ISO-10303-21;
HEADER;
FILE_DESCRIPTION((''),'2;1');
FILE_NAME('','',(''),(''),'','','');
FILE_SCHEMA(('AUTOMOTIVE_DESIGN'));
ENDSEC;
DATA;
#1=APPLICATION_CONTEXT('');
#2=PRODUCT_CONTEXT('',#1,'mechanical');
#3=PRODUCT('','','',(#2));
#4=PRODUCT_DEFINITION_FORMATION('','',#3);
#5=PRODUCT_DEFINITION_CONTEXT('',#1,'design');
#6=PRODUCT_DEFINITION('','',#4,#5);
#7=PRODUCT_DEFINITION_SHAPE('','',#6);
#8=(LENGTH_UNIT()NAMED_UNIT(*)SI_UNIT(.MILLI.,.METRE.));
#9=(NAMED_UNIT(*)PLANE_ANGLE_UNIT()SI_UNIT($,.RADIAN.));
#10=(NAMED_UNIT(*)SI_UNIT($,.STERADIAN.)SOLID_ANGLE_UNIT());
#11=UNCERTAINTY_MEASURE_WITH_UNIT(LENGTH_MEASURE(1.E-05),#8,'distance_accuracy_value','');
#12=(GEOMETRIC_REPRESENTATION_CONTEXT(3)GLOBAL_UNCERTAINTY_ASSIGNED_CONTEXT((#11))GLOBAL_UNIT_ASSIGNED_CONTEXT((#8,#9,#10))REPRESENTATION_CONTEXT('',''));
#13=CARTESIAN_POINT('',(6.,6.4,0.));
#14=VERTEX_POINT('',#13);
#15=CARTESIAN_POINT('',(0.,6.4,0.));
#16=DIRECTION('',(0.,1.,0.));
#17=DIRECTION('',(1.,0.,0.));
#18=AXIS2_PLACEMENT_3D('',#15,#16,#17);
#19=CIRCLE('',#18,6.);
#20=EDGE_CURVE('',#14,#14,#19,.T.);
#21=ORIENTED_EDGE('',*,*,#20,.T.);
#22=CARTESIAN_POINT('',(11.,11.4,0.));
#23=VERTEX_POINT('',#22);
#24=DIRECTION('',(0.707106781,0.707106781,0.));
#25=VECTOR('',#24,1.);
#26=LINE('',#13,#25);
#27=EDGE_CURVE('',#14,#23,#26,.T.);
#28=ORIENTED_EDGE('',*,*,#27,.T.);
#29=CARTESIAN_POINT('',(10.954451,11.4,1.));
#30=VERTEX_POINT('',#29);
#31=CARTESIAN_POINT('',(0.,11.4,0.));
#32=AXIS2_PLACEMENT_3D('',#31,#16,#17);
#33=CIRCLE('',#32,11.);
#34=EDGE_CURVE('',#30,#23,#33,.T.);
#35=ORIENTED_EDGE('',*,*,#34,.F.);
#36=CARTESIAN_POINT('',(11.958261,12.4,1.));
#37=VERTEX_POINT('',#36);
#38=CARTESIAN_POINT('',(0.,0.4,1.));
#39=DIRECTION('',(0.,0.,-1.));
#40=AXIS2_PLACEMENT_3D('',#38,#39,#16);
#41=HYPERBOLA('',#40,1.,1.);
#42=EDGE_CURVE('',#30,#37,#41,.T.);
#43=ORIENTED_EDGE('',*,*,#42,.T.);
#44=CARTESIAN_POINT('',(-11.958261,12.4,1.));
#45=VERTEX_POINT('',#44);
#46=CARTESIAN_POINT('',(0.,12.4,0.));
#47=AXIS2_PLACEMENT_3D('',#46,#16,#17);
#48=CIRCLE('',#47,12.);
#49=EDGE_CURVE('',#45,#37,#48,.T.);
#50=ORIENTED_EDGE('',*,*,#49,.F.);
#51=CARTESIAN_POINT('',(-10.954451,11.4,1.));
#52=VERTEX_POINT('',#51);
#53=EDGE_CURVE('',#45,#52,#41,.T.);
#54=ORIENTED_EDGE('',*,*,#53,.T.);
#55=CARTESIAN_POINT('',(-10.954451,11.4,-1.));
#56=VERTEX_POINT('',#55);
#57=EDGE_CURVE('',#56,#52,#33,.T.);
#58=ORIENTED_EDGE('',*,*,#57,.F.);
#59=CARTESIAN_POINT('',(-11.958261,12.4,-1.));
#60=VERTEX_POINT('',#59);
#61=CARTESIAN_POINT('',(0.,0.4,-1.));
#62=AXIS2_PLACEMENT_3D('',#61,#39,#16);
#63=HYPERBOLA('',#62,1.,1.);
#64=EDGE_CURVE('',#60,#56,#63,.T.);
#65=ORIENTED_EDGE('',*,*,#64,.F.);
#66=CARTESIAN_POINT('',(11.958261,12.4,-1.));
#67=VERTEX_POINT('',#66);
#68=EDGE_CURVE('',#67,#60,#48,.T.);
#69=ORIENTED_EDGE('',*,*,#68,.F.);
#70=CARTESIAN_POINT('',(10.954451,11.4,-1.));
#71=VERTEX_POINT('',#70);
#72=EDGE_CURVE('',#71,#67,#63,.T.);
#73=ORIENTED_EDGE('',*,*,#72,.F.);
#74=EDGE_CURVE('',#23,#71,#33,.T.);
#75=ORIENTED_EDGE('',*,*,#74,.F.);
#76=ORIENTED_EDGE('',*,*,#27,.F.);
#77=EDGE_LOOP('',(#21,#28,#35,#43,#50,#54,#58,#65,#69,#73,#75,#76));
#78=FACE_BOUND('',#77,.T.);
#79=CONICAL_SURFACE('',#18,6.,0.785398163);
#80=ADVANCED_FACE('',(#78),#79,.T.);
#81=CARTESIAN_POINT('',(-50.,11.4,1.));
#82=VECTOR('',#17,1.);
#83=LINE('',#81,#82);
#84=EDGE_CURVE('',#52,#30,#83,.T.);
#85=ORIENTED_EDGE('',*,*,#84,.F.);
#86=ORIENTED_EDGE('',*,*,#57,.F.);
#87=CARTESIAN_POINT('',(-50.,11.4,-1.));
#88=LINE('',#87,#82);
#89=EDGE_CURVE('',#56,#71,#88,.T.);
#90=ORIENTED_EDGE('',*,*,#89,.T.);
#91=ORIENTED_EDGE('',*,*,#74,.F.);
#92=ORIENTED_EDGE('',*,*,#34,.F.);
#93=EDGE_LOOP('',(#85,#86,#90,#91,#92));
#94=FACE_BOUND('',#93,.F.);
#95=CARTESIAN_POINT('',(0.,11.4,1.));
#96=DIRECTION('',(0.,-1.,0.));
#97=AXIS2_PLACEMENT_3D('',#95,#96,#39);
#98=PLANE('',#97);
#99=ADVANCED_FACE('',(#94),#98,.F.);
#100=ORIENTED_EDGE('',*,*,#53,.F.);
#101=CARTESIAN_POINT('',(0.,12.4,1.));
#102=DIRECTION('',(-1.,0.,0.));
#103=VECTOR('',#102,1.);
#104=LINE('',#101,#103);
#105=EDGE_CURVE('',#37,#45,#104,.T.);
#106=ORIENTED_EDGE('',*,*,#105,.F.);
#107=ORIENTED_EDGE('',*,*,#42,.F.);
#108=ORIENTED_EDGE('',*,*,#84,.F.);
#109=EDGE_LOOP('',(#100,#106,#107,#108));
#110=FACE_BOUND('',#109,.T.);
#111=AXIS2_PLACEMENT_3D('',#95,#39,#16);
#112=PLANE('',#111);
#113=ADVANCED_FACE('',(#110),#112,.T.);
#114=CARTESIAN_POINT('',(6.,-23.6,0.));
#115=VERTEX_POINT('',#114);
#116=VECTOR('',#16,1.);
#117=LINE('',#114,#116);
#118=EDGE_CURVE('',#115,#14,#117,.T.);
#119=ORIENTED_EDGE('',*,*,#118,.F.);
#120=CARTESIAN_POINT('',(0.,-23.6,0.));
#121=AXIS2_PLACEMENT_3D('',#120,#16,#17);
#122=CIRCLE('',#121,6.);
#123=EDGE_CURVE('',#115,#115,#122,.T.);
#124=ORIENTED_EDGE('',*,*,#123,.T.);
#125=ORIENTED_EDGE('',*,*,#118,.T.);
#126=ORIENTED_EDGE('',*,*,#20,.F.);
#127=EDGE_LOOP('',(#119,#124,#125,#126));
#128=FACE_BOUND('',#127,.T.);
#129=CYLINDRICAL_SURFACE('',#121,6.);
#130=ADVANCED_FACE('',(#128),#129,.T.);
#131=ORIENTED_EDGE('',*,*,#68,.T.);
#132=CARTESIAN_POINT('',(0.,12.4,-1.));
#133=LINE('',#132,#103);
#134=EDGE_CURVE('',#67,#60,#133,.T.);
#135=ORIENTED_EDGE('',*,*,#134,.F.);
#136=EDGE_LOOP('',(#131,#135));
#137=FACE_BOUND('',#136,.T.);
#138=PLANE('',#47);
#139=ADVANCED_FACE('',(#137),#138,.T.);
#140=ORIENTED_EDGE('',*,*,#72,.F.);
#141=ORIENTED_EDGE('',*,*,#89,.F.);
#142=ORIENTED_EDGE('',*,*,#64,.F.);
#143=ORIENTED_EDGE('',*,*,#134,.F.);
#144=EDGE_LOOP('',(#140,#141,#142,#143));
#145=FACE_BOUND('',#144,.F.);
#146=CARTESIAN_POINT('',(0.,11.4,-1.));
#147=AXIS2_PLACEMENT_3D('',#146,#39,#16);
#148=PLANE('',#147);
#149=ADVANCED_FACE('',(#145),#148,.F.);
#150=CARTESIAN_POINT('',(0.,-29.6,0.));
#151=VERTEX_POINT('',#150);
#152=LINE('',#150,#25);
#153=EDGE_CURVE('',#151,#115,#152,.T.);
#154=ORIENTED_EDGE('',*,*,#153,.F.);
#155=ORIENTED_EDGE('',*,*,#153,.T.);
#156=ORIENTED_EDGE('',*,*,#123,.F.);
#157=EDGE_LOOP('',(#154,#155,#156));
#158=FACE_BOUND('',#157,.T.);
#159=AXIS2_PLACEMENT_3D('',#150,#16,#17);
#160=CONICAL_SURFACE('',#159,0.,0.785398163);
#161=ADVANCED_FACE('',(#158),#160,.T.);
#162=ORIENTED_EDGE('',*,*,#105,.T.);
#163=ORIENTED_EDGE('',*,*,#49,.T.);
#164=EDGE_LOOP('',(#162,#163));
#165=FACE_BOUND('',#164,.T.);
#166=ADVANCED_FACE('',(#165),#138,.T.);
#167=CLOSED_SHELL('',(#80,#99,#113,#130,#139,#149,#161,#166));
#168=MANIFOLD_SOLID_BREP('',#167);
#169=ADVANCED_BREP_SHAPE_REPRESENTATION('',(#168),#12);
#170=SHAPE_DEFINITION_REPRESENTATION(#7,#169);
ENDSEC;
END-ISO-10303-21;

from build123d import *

# Parameters (mm, degrees)
SKETCH2_W          = 2
SKETCH2_H          = 2
CUT_EXTRUDE1_DEPTH = 50


with BuildPart() as part:
    # Sketch1 → Revolve2 (revolve)
    with BuildSketch(Plane.XY):
        Polygon((12, 12.4), (0, 12.4), (0, 6.48), (0, -29.6), (6, -23.6), (6, 6.4), align=None)
    revolve(axis=Axis((0, -39.28, 0), (0, 1, 0)))

    # Sketch2 → Cut-Extrude1 (cut, symmetric)
    with BuildSketch(Plane(origin=(0, 0, 0), x_dir=(0, 0, -1), z_dir=(1, 0, 0))):
        with Locations((0, 12.4)):
            Rectangle(SKETCH2_W, SKETCH2_H)
    extrude(amount=CUT_EXTRUDE1_DEPTH, both=True, mode=Mode.SUBTRACT)


solid = part.part
